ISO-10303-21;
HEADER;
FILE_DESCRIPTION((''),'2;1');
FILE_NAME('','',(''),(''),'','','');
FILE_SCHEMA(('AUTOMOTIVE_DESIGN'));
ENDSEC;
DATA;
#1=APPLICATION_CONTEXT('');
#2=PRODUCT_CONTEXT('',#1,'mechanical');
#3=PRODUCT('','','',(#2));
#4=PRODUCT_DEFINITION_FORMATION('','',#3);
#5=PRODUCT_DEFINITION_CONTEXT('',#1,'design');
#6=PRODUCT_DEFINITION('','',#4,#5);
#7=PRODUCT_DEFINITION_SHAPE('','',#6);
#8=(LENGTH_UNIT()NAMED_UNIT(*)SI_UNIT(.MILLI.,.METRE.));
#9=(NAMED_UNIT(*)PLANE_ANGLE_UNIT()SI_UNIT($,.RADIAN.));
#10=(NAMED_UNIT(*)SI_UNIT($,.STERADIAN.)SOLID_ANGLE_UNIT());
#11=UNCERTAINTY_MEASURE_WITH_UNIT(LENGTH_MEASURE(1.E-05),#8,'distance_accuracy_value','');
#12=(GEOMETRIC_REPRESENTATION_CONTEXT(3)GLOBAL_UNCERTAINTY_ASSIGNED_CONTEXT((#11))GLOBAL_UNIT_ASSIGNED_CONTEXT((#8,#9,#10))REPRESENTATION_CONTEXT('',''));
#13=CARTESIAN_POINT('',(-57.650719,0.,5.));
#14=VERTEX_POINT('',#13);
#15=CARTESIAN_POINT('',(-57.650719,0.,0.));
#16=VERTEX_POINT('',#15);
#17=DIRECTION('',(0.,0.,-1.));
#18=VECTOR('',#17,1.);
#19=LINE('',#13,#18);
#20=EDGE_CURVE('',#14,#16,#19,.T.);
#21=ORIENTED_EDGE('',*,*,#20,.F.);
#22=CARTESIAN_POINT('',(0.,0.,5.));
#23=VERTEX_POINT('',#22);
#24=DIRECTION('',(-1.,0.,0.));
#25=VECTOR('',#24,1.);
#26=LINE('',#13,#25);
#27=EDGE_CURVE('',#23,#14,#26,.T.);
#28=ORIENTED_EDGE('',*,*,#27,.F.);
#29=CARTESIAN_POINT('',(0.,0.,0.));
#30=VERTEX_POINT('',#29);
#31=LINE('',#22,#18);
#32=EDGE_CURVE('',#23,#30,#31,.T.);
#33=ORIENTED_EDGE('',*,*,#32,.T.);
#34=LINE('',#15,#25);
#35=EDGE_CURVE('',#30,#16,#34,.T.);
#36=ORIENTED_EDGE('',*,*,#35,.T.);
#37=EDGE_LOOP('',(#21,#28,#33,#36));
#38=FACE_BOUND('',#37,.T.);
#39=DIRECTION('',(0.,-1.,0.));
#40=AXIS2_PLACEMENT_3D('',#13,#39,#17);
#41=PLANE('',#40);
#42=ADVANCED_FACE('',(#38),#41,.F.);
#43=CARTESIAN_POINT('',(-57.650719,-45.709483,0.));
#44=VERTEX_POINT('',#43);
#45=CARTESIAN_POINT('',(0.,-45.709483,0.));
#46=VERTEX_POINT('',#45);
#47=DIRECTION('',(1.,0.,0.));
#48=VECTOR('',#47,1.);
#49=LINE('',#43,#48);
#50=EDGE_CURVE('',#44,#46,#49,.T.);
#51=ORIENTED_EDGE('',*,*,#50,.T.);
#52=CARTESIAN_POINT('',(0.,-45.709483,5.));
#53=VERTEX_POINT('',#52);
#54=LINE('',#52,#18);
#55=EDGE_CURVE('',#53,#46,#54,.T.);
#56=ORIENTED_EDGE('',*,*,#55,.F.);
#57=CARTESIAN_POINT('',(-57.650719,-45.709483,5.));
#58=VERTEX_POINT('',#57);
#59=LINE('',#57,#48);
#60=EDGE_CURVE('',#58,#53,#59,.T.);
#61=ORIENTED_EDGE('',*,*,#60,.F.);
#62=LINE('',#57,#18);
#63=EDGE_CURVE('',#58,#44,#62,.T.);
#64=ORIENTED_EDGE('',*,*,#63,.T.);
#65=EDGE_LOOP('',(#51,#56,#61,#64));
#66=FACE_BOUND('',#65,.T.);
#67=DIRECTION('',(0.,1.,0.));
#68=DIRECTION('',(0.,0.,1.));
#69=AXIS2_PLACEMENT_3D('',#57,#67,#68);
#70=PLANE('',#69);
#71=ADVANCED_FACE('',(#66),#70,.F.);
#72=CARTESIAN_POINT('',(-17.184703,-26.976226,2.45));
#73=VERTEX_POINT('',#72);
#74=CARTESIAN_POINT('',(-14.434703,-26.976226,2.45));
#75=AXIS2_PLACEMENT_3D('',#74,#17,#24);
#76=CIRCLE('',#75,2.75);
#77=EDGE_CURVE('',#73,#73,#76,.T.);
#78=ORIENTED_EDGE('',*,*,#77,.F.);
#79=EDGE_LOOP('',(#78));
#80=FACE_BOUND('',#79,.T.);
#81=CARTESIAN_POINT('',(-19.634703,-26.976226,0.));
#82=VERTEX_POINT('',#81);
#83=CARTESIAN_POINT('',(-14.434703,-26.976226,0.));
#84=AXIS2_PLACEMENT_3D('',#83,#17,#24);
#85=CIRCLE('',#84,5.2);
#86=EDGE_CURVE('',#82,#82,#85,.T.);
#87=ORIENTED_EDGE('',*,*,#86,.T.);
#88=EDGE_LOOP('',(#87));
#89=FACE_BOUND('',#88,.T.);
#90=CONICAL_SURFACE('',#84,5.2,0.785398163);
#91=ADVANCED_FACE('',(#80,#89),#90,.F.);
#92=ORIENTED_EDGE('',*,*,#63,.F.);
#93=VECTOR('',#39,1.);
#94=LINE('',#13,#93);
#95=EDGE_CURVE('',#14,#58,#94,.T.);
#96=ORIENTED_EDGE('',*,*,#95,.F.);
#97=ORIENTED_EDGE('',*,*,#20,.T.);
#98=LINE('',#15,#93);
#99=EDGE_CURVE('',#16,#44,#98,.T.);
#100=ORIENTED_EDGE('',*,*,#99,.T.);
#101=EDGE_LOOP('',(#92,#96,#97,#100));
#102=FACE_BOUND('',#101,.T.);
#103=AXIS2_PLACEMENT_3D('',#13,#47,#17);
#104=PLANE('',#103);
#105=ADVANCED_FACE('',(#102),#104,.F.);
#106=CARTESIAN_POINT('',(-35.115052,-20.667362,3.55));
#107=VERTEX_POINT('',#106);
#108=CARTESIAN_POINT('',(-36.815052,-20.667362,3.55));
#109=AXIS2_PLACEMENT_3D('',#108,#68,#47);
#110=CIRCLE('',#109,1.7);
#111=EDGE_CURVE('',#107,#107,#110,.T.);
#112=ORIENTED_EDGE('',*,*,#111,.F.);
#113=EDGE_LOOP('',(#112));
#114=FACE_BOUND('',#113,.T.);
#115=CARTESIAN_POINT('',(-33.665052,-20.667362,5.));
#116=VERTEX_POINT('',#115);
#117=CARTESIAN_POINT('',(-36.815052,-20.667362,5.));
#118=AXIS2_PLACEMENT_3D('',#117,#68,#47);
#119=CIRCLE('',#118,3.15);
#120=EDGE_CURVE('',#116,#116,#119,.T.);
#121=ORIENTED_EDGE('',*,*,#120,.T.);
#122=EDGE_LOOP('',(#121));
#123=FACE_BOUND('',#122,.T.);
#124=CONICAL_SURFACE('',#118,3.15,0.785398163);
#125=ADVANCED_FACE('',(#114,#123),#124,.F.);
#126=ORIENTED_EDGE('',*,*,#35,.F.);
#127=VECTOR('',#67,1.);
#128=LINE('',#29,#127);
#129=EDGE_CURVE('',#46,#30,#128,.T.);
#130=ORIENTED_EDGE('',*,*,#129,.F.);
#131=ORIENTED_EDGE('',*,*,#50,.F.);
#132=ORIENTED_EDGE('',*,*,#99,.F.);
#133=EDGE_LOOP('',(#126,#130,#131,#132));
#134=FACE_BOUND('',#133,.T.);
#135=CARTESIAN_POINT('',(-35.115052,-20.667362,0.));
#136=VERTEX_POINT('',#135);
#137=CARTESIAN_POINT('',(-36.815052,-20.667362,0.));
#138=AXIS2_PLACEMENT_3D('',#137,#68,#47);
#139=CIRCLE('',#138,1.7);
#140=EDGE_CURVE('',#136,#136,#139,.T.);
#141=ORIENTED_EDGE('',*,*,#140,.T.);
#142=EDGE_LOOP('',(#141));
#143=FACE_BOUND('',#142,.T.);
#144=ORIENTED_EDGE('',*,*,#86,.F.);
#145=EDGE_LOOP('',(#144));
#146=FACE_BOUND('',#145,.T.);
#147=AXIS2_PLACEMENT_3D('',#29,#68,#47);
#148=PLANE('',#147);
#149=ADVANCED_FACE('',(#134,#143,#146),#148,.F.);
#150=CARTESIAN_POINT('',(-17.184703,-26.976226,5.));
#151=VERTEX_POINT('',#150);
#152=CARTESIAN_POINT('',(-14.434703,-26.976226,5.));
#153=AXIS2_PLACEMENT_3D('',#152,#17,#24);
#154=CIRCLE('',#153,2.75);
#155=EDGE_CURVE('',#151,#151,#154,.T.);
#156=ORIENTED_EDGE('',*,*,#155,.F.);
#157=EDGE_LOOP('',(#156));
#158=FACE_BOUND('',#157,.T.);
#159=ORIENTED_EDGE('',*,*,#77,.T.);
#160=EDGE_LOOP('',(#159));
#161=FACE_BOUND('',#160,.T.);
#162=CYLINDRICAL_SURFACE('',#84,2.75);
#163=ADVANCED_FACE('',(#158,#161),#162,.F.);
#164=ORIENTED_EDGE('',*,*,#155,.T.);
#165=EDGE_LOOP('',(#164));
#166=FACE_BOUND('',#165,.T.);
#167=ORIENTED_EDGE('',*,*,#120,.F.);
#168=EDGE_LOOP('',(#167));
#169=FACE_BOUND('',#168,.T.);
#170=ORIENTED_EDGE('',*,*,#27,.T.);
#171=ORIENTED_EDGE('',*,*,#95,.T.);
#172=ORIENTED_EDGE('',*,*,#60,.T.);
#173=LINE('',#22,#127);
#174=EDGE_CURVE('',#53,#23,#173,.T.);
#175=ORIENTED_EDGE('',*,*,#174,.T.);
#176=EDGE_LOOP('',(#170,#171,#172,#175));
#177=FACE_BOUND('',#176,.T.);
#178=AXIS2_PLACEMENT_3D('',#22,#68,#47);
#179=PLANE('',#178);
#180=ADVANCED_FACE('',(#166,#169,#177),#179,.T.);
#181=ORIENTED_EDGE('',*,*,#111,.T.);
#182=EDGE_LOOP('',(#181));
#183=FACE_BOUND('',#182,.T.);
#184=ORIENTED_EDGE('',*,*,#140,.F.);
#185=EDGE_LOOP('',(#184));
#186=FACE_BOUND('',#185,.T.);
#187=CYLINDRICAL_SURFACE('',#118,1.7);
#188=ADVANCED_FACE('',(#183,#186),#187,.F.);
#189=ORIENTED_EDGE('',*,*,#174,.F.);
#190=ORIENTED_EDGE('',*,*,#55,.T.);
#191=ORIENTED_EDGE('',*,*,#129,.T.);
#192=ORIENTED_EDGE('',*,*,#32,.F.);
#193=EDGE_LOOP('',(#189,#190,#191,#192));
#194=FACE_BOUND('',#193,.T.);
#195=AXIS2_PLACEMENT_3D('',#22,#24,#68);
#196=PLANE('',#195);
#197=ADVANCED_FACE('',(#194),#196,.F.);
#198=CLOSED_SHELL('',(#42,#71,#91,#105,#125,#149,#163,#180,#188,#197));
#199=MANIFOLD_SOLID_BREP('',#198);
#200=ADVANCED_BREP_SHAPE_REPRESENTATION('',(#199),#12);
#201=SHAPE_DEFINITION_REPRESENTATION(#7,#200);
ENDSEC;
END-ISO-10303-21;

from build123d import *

# Parameters (mm, degrees)
SKETCH1_W                                           = 57.650718963
SKETCH1_H                                           = 45.709483456
BOSS_EXTRUDE1_DEPTH                                 = 5
CSK_FOR_M3_COUNTERSUNK_FLAT_HEAD_SCREW2_D           = 3.4
CSK_FOR_M3_COUNTERSUNK_FLAT_HEAD_SCREW2_CSINK_D     = 6.3
CSK_FOR_M3_COUNTERSUNK_FLAT_HEAD_SCREW2_CSINK_ANGLE = 90


with BuildPart() as part:
    # Sketch1 → Boss-Extrude1 (new body)
    with BuildSketch(Plane.XY):
        with Locations((-28.825359482, -22.854741728)):
            Rectangle(SKETCH1_W, SKETCH1_H)
    extrude(amount=BOSS_EXTRUDE1_DEPTH)

    # CSK for M3 Countersunk Flat Head Screw2 (through all)
    with Locations(Plane.XY.offset(5)):
        with Locations((-36.815052067, -20.667361914)):
            CounterSinkHole(CSK_FOR_M3_COUNTERSUNK_FLAT_HEAD_SCREW2_D / 2, CSK_FOR_M3_COUNTERSUNK_FLAT_HEAD_SCREW2_CSINK_D / 2, counter_sink_angle=CSK_FOR_M3_COUNTERSUNK_FLAT_HEAD_SCREW2_CSINK_ANGLE)

    # Sketch13 → CSK for M5 Countersunk Flat Head Screw1 (revolve, cut)
    with BuildSketch(Plane(origin=(-14.434702808, -26.976225799, 0), x_dir=(0, 1, 0), z_dir=(1, 0, 0))):
        Polygon((0, 0), (0, 5), (2.75, 5), (2.75, 2.45), (5.2, 0), align=None)
    revolve(axis=Axis((-14.434702808, -26.976225799, -6.35), (0, 0, 1)), mode=Mode.SUBTRACT)


solid = part.part
